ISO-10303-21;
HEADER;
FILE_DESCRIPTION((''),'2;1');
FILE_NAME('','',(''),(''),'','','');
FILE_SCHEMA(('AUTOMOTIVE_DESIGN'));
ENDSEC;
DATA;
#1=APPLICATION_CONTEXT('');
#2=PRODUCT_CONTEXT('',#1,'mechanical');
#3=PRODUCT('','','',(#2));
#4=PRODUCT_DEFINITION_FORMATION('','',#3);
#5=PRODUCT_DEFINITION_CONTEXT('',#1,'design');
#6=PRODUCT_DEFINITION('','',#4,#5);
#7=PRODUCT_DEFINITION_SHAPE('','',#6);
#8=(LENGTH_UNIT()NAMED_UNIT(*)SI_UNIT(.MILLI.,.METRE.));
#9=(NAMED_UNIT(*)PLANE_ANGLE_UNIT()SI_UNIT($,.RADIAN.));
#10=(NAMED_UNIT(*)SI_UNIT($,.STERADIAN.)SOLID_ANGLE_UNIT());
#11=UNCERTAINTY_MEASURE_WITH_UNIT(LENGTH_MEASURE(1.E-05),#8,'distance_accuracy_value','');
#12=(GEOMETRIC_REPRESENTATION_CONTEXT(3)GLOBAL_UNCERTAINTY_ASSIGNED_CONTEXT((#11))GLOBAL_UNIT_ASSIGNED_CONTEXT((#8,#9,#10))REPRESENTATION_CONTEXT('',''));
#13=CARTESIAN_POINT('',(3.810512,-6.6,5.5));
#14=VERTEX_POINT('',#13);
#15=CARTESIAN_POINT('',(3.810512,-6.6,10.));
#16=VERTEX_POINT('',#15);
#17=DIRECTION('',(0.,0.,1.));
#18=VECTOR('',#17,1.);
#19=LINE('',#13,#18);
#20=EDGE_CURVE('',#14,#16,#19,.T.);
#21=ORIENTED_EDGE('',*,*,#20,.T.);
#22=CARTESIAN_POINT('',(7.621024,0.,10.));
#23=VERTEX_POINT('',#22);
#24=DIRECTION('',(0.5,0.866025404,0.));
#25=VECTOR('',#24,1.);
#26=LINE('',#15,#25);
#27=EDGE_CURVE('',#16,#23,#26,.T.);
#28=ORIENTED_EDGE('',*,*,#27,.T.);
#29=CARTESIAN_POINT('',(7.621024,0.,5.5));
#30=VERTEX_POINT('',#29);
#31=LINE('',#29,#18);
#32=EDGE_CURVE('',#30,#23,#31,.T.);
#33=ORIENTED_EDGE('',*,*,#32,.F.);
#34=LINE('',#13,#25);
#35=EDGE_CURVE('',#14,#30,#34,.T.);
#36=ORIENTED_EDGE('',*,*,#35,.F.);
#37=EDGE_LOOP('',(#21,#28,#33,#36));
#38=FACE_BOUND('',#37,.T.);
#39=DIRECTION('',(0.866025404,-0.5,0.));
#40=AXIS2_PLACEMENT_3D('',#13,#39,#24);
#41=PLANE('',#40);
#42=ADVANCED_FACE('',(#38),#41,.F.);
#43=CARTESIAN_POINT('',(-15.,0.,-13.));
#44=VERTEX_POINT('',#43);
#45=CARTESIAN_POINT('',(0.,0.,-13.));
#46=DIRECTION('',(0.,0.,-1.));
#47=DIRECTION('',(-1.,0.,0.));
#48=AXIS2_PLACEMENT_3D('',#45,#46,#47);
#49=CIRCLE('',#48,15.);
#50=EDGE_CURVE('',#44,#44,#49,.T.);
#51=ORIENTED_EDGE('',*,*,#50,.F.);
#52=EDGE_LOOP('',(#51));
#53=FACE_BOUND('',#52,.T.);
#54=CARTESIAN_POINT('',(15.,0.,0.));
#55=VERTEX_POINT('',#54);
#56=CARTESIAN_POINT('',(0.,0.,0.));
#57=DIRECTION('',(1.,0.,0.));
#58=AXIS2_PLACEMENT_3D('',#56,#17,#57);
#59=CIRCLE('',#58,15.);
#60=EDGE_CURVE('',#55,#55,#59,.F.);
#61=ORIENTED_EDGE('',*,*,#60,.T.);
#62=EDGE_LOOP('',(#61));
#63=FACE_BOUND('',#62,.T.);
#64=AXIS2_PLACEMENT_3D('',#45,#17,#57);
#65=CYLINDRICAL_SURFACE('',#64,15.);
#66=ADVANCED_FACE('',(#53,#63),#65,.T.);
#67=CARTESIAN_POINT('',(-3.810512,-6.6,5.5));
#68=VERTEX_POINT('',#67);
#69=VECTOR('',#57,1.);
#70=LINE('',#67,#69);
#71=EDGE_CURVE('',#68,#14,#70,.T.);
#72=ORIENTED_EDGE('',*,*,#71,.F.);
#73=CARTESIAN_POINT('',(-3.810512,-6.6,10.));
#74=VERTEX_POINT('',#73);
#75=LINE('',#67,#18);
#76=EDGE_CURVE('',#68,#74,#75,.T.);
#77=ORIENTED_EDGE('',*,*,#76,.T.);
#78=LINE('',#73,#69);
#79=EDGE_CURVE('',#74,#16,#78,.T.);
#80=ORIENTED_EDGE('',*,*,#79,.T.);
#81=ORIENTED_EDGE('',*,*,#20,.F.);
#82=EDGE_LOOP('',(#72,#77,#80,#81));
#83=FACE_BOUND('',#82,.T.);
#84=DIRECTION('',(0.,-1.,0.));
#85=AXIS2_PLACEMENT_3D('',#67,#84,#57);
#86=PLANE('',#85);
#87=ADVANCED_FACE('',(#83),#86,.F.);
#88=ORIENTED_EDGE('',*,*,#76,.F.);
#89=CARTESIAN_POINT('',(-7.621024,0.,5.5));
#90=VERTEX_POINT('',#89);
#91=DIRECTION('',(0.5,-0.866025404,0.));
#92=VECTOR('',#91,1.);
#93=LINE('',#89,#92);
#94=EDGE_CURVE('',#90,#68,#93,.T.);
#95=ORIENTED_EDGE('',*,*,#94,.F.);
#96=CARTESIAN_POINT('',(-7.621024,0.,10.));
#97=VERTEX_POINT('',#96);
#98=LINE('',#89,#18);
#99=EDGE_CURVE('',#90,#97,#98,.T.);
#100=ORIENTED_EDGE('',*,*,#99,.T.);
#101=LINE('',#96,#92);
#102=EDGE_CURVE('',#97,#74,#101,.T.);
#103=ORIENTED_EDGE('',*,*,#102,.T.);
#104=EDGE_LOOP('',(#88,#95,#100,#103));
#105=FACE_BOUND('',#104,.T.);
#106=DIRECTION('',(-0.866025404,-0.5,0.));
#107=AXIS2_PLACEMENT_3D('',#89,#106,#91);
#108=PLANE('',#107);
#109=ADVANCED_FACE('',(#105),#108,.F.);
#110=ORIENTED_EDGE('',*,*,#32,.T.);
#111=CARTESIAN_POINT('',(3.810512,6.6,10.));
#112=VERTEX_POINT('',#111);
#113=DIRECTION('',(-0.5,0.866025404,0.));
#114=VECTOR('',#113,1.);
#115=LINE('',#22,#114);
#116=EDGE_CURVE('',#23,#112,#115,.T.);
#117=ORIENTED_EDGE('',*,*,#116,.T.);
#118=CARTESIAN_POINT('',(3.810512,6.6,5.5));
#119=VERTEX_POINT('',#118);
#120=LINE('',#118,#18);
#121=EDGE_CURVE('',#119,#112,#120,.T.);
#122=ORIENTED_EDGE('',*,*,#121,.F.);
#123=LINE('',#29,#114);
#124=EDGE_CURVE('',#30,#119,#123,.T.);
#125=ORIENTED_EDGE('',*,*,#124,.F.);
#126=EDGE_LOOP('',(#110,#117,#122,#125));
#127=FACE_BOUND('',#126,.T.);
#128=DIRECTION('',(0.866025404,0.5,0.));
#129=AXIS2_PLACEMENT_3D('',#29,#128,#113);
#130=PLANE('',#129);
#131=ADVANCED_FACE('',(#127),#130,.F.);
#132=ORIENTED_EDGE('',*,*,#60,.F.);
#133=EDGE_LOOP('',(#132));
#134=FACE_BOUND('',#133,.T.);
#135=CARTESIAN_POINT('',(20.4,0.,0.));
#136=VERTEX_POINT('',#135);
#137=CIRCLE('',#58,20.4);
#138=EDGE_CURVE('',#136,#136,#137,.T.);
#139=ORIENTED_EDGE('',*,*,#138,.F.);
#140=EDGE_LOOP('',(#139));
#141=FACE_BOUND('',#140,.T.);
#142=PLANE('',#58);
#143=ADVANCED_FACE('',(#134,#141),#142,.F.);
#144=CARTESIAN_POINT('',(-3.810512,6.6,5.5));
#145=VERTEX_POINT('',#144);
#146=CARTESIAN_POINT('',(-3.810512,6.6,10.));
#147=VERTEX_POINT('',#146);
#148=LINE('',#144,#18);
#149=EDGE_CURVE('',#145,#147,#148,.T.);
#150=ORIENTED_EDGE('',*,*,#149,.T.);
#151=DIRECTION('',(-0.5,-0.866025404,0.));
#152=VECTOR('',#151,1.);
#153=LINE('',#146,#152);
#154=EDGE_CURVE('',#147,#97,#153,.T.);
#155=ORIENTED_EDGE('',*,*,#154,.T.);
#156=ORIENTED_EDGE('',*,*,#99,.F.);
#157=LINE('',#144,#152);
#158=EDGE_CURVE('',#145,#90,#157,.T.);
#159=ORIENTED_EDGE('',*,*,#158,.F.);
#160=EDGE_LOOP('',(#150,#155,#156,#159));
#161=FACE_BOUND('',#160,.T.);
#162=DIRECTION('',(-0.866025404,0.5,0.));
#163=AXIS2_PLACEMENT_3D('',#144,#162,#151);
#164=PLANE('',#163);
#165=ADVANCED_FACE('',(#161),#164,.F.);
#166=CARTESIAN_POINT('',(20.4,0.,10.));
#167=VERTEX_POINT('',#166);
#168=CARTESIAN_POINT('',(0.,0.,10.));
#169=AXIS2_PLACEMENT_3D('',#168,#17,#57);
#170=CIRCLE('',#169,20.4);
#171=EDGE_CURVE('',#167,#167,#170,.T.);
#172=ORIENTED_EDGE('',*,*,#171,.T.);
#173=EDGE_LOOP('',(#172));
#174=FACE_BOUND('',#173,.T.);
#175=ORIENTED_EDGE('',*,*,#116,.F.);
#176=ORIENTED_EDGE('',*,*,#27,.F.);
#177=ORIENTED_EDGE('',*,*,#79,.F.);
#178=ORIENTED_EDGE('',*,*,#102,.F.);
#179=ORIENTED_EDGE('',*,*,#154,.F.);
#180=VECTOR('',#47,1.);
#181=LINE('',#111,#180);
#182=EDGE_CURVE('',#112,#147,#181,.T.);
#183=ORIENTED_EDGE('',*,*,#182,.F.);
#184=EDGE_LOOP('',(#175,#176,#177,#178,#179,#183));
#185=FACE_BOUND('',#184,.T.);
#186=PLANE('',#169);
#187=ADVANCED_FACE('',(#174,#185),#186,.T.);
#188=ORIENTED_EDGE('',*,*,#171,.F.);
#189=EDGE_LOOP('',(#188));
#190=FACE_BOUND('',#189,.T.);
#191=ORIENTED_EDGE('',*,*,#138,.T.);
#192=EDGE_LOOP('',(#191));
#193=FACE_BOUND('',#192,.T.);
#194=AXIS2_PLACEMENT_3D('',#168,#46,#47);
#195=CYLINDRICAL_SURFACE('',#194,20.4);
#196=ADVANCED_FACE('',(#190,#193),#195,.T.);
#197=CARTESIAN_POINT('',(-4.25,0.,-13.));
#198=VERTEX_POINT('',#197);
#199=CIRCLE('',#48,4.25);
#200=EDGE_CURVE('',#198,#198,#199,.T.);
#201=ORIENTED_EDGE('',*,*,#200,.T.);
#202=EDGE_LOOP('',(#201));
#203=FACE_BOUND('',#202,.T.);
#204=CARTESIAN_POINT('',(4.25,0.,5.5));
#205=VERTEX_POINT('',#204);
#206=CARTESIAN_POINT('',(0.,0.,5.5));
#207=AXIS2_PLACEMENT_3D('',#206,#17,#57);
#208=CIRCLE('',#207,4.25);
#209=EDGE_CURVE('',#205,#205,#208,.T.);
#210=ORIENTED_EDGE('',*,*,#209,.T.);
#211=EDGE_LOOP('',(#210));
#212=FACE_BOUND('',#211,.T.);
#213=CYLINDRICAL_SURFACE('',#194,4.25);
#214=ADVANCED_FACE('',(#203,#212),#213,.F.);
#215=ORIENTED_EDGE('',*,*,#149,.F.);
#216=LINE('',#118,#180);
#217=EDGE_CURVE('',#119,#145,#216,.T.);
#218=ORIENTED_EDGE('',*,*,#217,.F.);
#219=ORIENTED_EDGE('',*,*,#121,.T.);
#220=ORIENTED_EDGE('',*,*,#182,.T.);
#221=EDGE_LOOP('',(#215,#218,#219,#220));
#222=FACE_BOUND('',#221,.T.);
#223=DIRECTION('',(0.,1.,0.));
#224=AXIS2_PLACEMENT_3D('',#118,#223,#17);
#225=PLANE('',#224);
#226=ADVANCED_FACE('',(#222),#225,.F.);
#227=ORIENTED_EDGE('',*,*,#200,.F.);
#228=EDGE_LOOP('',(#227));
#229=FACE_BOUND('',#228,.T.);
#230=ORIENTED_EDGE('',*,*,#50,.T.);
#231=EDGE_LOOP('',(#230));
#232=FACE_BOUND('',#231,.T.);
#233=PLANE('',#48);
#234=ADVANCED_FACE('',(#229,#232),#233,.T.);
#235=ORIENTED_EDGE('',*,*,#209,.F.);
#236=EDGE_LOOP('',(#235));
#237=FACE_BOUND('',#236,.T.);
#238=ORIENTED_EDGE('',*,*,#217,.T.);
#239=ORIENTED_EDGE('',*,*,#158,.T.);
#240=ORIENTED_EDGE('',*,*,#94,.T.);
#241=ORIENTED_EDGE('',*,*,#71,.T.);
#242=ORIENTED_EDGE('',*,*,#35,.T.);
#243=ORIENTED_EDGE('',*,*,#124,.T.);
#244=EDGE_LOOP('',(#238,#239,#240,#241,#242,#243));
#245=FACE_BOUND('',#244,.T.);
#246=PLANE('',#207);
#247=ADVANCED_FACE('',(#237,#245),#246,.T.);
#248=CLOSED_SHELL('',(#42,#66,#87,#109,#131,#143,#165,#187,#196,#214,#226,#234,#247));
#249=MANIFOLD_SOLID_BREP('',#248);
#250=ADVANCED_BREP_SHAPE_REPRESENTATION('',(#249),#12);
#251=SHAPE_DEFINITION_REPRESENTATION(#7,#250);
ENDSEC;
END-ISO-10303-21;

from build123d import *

# Parameters (mm, degrees)
ESBO_O1_R                = 20.4
ESBO_O1_R_2              = 4.25
RESSALTO_EXTRUS_O1_DEPTH = 10
CORTE_EXTRUS_O1_DEPTH    = 4.5
ESBO_O5_R                = 15
ESBO_O5_R_2              = 4.25
RESSALTO_EXTRUS_O2_DEPTH = 13


with BuildPart() as part:
    # Esboço1 → Ressalto-extrusão1 (new body)
    with BuildSketch(Plane.XY):
        Circle(ESBO_O1_R)
        Circle(ESBO_O1_R_2, mode=Mode.SUBTRACT)
    extrude(amount=RESSALTO_EXTRUS_O1_DEPTH)

    # Esboço2 → Corte-extrusão1 (cut)
    with BuildSketch(Plane.XY.offset(10)):
        Polygon((3.810511777, -6.6), (7.621023553, 0), (3.810511777, 6.6), (-3.810511777, 6.6), (-7.621023553, 0), (-3.810511777, -6.6), align=None)
    extrude(amount=-CORTE_EXTRUS_O1_DEPTH, mode=Mode.SUBTRACT)

    # Esboço5 → Ressalto-extrusão2 (add)
    with BuildSketch(Plane(origin=(0, 0, 0), x_dir=(-1, 0, 0), z_dir=(0, 0, -1))):
        Circle(ESBO_O5_R)
        Circle(ESBO_O5_R_2, mode=Mode.SUBTRACT)
    extrude(amount=RESSALTO_EXTRUS_O2_DEPTH)


solid = part.part
